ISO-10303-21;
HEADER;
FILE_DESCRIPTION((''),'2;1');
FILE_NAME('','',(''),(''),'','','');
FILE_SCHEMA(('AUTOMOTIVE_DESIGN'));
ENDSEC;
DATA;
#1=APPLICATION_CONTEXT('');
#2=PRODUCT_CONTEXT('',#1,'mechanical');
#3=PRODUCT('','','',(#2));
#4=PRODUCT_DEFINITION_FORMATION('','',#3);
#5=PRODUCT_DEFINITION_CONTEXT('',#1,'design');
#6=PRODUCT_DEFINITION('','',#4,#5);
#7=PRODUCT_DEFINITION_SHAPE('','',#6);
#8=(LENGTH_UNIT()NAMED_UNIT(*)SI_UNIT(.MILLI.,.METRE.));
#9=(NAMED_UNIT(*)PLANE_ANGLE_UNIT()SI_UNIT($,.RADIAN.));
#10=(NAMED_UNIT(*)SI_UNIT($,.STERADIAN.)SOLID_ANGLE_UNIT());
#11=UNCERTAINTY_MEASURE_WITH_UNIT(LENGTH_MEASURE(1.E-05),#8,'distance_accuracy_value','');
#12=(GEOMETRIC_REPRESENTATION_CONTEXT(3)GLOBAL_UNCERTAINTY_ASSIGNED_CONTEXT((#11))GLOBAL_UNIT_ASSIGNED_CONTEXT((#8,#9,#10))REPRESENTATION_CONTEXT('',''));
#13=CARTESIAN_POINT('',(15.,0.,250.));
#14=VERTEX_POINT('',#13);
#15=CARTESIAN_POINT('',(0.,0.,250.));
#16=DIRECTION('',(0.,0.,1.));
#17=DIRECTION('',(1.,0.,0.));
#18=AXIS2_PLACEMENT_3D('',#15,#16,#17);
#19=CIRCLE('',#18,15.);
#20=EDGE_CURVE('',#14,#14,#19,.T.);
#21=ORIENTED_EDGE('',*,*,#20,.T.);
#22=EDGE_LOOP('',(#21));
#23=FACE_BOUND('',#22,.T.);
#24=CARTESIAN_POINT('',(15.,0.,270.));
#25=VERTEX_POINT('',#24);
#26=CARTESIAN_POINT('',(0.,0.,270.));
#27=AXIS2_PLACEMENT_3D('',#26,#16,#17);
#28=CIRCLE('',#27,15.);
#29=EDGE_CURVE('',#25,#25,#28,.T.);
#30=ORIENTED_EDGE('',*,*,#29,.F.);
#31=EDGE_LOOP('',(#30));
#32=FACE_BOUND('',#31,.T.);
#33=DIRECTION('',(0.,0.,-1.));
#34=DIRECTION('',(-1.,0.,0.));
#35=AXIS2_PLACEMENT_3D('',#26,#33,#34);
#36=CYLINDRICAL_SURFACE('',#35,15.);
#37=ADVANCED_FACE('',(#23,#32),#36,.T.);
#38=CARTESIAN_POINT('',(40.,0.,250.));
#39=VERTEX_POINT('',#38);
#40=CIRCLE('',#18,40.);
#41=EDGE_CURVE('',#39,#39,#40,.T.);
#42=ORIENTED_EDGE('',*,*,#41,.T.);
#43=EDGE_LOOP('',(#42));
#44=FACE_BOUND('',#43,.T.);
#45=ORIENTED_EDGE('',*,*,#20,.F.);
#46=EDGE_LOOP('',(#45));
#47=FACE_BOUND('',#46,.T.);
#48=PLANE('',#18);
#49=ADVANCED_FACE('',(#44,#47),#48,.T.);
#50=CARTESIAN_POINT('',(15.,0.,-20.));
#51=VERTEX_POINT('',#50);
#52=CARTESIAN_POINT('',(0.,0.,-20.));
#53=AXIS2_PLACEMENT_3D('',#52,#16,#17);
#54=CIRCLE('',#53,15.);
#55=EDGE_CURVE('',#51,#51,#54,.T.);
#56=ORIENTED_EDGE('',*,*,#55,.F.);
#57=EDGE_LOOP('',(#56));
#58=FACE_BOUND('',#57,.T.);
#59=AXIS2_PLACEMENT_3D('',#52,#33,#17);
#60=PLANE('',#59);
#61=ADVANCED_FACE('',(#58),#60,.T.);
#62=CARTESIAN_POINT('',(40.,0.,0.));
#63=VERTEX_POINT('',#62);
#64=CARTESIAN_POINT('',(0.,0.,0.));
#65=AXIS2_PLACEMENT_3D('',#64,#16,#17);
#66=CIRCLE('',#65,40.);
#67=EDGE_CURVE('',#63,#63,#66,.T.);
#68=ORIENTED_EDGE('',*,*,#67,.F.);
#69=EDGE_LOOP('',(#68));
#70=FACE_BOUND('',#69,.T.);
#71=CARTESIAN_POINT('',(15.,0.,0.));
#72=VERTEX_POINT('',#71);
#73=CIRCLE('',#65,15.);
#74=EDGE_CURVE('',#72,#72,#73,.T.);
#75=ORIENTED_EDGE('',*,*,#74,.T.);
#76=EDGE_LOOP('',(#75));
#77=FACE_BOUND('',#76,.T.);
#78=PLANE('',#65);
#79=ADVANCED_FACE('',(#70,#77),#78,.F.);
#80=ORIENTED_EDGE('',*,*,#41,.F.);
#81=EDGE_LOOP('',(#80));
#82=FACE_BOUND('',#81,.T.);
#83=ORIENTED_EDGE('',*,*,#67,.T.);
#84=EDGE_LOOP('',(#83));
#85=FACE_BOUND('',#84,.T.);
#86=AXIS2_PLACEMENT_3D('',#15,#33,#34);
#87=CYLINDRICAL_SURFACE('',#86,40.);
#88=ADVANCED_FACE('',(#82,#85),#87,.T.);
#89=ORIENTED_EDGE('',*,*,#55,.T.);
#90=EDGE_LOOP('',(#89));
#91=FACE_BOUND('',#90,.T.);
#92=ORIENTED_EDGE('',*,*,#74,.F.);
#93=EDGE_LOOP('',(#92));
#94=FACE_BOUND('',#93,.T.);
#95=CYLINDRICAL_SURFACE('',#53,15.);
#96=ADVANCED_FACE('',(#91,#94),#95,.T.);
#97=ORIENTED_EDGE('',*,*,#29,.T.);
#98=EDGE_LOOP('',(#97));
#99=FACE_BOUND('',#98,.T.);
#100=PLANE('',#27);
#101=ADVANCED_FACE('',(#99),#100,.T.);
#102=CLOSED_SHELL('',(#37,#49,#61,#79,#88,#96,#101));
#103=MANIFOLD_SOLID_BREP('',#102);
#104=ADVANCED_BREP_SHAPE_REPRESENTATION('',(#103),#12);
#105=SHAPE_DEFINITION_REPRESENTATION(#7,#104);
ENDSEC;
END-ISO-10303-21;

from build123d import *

# Parameters (mm, degrees)
SKETCH1_R           = 40
BOSS_EXTRUDE1_DEPTH = 250
SKETCH2_R           = 15
BOSS_EXTRUDE2_DEPTH = 20


with BuildPart() as part:
    # Sketch1 → Boss-Extrude1 (new body)
    with BuildSketch(Plane.XY):
        Circle(SKETCH1_R)
    extrude(amount=BOSS_EXTRUDE1_DEPTH)

    # Sketch2 → Boss-Extrude2 (add)
    with BuildSketch(Plane.XY.offset(250)):
        Circle(SKETCH2_R)
    boss_extrude2 = extrude(amount=BOSS_EXTRUDE2_DEPTH)

    # Mirror1: Boss-Extrude2 across plane
    add(boss_extrude2.mirror(Plane.XY.offset(125)))


solid = part.part
